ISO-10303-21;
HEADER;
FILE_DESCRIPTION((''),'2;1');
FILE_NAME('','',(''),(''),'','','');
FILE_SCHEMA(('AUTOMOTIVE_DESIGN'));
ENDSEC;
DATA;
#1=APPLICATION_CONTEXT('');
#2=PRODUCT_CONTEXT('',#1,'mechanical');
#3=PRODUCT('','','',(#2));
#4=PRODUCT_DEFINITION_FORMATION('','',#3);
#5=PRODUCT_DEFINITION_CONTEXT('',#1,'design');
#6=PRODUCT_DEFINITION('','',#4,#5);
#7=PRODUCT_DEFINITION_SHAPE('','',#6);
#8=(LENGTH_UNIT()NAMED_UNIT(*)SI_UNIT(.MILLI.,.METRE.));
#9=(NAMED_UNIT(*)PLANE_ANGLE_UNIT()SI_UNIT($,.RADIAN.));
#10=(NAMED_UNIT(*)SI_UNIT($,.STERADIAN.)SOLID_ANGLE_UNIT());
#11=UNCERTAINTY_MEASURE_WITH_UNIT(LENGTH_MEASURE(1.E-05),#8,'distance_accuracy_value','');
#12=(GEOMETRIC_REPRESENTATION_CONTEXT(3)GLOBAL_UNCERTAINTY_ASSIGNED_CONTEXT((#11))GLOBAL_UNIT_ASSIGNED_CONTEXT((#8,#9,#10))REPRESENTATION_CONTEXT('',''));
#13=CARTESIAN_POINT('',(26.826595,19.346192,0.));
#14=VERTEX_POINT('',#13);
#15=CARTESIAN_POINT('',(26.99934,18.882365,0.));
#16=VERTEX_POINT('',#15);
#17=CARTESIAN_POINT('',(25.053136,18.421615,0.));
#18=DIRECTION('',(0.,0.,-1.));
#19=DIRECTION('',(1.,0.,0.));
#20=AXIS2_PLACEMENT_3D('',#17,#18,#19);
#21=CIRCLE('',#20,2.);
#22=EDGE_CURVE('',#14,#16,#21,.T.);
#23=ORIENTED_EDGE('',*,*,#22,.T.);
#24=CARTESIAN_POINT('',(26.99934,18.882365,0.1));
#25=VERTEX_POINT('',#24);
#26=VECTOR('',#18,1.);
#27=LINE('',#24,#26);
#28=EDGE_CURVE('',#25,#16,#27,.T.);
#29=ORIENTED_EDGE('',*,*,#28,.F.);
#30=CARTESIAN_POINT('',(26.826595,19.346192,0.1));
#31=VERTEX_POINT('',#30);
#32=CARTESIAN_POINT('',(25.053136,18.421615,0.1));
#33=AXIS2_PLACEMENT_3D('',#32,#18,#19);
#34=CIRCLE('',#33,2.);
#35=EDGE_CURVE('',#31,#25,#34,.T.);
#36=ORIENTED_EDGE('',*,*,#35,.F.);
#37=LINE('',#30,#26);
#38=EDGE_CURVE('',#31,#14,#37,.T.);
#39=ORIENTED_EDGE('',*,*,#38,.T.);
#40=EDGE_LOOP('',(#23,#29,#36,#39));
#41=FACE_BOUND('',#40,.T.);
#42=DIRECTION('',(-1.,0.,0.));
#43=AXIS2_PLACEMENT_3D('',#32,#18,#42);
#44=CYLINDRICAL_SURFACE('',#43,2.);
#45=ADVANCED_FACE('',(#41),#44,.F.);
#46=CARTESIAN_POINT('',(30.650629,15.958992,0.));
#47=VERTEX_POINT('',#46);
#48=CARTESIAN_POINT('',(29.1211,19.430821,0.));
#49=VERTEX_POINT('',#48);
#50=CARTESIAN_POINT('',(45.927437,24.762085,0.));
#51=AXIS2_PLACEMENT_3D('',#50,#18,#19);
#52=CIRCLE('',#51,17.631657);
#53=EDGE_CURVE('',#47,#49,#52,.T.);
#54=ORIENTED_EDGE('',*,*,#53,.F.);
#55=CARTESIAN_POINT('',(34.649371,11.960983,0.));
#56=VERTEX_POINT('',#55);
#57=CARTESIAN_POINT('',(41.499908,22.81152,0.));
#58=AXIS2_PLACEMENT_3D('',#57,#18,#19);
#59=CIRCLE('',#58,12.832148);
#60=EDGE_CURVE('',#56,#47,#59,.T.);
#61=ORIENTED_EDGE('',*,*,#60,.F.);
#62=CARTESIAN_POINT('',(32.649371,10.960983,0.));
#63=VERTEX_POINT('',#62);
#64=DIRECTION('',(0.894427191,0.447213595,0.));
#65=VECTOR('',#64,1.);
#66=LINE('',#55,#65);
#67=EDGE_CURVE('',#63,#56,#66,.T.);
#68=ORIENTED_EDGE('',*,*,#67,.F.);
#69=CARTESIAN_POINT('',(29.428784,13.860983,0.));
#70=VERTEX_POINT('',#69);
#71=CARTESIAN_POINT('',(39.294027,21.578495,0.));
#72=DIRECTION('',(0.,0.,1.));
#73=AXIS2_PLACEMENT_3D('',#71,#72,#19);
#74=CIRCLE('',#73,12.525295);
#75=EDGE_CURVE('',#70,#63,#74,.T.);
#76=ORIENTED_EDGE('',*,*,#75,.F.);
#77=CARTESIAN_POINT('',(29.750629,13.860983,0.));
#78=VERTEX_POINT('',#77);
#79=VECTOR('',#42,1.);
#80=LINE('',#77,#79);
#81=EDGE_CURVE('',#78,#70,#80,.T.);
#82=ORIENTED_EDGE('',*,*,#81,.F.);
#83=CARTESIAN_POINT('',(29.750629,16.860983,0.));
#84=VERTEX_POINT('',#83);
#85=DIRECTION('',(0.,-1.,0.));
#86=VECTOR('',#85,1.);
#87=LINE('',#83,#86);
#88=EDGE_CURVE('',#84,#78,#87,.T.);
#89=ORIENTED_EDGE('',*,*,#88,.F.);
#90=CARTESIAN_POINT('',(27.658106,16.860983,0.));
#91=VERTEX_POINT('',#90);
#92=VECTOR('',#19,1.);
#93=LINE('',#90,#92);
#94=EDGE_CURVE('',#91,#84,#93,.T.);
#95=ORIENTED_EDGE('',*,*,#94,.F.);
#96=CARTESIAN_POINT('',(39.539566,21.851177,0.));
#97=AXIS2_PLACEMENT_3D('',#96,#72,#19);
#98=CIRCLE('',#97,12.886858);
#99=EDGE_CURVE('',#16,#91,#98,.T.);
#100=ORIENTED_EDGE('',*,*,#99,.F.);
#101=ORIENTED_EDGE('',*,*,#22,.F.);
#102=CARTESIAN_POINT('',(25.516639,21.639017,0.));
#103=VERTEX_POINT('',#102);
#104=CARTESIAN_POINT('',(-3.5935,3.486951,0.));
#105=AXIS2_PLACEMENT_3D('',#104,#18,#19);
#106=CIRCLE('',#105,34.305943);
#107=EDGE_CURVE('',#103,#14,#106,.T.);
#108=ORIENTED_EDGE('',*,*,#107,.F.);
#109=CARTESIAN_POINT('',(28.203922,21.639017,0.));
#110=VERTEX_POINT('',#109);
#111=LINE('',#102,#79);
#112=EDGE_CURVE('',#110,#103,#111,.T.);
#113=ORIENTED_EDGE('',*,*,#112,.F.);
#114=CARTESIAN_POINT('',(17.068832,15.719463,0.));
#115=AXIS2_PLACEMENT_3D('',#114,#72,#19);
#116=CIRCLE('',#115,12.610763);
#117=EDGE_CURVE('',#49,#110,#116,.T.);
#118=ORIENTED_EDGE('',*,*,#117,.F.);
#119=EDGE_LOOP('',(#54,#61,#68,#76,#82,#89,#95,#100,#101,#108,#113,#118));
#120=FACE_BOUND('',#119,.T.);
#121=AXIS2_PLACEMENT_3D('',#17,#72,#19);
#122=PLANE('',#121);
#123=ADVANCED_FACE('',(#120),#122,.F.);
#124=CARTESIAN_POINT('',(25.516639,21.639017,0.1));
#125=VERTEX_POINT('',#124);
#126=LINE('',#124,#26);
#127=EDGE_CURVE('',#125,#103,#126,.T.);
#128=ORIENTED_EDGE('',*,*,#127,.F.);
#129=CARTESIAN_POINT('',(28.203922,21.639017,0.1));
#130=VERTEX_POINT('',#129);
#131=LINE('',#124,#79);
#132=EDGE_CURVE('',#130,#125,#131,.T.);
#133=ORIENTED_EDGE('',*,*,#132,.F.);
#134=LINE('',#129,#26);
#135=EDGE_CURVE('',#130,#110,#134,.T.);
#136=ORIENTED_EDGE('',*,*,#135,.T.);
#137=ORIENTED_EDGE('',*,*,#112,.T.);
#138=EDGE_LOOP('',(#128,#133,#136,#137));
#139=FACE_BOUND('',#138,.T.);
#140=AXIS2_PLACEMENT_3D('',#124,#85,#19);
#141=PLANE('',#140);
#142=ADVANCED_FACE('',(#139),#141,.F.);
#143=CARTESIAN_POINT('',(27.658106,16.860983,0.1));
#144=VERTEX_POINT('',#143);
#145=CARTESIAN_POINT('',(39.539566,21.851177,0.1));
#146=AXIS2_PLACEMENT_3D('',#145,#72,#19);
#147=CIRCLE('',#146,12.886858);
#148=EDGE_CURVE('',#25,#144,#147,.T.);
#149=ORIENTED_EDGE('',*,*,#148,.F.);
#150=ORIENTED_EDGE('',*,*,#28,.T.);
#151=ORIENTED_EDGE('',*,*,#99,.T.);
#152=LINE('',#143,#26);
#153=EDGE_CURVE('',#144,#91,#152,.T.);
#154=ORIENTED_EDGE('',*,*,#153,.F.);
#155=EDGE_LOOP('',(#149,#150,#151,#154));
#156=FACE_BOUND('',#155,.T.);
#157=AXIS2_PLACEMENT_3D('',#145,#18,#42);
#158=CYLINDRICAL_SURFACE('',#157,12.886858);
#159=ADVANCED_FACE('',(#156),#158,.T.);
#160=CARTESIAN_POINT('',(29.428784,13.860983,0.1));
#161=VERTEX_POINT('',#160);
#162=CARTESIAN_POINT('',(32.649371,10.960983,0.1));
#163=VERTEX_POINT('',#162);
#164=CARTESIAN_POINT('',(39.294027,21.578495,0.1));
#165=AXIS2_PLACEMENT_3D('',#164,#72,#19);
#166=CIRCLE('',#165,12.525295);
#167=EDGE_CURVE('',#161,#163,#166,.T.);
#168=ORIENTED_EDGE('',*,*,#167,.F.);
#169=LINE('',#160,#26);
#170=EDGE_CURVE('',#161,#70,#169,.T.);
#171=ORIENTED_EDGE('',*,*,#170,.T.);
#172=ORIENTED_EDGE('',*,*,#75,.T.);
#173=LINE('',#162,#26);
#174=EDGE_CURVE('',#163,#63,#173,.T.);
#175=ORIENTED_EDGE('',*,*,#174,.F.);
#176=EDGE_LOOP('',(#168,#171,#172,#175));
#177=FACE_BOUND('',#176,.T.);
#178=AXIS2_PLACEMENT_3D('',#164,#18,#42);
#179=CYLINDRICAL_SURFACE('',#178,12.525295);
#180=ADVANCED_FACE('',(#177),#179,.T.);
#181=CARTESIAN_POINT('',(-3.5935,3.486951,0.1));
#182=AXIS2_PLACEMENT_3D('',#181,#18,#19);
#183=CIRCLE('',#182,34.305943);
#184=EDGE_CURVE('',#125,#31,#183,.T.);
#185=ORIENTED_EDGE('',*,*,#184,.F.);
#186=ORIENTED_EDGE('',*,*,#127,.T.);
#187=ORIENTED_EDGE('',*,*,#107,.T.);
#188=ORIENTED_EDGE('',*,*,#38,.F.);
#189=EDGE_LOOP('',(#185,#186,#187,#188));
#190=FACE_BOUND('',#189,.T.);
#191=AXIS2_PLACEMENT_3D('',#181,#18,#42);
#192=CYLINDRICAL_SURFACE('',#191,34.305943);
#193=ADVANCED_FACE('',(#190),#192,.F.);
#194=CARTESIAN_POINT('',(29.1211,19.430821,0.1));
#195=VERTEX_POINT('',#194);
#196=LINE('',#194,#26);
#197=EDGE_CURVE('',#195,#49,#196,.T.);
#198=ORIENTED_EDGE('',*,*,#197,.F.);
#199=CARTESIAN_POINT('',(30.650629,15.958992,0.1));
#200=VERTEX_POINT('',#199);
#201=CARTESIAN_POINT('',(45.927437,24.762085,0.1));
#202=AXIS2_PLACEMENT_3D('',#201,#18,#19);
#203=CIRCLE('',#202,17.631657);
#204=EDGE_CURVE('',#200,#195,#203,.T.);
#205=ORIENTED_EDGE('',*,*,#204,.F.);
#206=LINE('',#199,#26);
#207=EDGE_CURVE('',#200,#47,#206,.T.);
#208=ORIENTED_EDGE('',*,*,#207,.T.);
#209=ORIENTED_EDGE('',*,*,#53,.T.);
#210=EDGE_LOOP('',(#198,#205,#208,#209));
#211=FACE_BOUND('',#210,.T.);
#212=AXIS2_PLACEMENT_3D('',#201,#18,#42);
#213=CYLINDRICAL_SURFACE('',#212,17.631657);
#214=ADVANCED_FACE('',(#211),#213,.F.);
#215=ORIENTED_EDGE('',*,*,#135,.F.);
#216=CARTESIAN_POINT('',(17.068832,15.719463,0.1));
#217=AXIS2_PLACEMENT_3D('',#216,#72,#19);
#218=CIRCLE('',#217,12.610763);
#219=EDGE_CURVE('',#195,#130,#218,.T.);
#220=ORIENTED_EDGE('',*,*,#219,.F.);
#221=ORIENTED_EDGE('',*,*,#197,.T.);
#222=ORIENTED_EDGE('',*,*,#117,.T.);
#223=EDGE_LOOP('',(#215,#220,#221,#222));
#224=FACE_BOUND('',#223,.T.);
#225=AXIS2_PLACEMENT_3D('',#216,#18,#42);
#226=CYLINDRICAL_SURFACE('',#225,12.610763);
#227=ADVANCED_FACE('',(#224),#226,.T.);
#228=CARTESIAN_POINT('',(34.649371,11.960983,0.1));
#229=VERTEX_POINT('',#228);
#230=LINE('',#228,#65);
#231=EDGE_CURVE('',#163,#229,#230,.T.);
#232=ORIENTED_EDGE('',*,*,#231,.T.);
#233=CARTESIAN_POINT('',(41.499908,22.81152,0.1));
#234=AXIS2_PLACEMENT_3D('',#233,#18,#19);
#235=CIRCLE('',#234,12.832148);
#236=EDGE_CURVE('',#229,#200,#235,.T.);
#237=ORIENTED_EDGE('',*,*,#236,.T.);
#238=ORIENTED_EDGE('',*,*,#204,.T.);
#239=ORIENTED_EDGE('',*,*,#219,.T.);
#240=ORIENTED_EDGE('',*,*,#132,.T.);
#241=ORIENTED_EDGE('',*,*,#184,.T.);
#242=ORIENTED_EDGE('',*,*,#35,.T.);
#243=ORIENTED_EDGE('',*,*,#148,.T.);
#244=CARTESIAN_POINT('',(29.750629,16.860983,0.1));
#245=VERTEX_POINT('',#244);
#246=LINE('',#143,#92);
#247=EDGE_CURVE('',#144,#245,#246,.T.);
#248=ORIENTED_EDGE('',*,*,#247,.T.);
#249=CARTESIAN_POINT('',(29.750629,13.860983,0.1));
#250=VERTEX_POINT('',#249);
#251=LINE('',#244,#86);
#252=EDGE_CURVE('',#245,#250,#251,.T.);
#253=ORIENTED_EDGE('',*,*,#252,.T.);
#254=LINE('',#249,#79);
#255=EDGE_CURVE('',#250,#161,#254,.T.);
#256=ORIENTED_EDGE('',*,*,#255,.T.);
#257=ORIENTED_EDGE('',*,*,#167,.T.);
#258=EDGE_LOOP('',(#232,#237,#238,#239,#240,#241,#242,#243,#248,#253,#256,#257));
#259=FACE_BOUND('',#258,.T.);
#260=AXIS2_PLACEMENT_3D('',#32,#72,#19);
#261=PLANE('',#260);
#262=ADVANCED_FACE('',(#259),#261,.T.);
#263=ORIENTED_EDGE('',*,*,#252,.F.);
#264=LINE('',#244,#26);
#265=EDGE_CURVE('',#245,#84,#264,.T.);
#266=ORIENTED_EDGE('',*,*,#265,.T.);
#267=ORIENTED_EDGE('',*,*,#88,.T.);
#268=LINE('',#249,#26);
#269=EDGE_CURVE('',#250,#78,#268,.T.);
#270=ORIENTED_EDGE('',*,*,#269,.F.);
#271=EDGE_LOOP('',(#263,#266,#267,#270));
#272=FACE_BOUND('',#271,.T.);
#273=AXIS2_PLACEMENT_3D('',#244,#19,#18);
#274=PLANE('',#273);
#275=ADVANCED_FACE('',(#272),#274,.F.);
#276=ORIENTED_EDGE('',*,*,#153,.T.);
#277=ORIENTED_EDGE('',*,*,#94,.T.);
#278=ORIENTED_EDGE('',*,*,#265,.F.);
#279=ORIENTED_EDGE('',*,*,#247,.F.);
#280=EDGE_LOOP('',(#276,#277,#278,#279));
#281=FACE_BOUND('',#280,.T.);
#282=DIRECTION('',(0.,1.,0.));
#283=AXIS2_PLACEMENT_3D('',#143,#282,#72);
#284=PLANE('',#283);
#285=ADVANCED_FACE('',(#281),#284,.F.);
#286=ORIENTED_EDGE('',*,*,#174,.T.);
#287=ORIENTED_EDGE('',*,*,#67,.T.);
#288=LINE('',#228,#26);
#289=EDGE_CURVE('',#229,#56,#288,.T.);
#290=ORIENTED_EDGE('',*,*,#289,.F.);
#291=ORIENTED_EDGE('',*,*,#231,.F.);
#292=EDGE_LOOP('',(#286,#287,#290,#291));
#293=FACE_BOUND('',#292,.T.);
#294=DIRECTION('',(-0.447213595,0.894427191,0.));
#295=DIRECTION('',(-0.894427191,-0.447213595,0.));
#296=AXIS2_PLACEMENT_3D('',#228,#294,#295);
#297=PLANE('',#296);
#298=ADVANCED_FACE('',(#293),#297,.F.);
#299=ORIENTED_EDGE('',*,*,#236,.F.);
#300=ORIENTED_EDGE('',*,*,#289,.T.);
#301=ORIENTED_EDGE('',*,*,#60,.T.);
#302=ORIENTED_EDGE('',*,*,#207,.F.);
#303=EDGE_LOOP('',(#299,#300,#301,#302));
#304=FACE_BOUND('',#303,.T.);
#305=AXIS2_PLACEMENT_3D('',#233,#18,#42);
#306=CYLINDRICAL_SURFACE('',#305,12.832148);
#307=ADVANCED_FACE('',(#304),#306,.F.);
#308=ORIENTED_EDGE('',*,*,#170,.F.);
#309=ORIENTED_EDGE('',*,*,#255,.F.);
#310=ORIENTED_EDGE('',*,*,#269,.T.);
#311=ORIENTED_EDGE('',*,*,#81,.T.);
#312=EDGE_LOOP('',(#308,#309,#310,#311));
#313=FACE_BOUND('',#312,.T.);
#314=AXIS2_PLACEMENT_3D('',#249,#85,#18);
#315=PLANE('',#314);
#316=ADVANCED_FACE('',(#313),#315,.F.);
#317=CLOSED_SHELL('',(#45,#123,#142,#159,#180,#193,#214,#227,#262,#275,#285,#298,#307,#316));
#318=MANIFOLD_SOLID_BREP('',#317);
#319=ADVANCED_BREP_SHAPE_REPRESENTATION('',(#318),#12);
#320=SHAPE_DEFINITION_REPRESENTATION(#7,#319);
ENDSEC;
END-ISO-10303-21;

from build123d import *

# Parameters (mm, degrees)
SALIENTE_EXTRUIR1_DEPTH = 0.1


with BuildPart() as part:
    # Model → Saliente-Extruir1 (new body)
    with BuildSketch(Plane.XY):
        with BuildLine():
            Line((34.649371272, 11.960982991), (32.649371272, 10.960982991))
            ThreePointArc((32.649371272, 10.960982991), (30.912697203, 12.270631548), (29.428783982, 13.860982991))
            Line((29.428783982, 13.860982991), (29.750628728, 13.860982991))
            Line((29.750628728, 13.860982991), (29.750628728, 16.860982991))
            Line((29.750628728, 16.860982991), (27.658106466, 16.860982991))
            ThreePointArc((27.658106466, 16.860982991), (27.286967067, 17.858065763), (26.999339741, 18.882365051))
            ThreePointArc((26.999339741, 18.882365051), (26.927371, 19.119642667), (26.826595189, 19.346191565))
            ThreePointArc((26.826595189, 19.346191565), (26.1936862, 20.505212953), (25.516639133, 21.639017009))
            Line((25.516639133, 21.639017009), (28.203922027, 21.639017009))
            ThreePointArc((28.203922027, 21.639017009), (28.714965722, 20.556705993), (29.121100427, 19.430820834))
            ThreePointArc((29.121100427, 19.430820834), (29.792213257, 17.653647808), (30.650628728, 15.958991716))
            ThreePointArc((30.650628728, 15.958991716), (32.427042415, 13.736988846), (34.649371272, 11.960982991))
        make_face()
    extrude(amount=SALIENTE_EXTRUIR1_DEPTH)


solid = part.part
